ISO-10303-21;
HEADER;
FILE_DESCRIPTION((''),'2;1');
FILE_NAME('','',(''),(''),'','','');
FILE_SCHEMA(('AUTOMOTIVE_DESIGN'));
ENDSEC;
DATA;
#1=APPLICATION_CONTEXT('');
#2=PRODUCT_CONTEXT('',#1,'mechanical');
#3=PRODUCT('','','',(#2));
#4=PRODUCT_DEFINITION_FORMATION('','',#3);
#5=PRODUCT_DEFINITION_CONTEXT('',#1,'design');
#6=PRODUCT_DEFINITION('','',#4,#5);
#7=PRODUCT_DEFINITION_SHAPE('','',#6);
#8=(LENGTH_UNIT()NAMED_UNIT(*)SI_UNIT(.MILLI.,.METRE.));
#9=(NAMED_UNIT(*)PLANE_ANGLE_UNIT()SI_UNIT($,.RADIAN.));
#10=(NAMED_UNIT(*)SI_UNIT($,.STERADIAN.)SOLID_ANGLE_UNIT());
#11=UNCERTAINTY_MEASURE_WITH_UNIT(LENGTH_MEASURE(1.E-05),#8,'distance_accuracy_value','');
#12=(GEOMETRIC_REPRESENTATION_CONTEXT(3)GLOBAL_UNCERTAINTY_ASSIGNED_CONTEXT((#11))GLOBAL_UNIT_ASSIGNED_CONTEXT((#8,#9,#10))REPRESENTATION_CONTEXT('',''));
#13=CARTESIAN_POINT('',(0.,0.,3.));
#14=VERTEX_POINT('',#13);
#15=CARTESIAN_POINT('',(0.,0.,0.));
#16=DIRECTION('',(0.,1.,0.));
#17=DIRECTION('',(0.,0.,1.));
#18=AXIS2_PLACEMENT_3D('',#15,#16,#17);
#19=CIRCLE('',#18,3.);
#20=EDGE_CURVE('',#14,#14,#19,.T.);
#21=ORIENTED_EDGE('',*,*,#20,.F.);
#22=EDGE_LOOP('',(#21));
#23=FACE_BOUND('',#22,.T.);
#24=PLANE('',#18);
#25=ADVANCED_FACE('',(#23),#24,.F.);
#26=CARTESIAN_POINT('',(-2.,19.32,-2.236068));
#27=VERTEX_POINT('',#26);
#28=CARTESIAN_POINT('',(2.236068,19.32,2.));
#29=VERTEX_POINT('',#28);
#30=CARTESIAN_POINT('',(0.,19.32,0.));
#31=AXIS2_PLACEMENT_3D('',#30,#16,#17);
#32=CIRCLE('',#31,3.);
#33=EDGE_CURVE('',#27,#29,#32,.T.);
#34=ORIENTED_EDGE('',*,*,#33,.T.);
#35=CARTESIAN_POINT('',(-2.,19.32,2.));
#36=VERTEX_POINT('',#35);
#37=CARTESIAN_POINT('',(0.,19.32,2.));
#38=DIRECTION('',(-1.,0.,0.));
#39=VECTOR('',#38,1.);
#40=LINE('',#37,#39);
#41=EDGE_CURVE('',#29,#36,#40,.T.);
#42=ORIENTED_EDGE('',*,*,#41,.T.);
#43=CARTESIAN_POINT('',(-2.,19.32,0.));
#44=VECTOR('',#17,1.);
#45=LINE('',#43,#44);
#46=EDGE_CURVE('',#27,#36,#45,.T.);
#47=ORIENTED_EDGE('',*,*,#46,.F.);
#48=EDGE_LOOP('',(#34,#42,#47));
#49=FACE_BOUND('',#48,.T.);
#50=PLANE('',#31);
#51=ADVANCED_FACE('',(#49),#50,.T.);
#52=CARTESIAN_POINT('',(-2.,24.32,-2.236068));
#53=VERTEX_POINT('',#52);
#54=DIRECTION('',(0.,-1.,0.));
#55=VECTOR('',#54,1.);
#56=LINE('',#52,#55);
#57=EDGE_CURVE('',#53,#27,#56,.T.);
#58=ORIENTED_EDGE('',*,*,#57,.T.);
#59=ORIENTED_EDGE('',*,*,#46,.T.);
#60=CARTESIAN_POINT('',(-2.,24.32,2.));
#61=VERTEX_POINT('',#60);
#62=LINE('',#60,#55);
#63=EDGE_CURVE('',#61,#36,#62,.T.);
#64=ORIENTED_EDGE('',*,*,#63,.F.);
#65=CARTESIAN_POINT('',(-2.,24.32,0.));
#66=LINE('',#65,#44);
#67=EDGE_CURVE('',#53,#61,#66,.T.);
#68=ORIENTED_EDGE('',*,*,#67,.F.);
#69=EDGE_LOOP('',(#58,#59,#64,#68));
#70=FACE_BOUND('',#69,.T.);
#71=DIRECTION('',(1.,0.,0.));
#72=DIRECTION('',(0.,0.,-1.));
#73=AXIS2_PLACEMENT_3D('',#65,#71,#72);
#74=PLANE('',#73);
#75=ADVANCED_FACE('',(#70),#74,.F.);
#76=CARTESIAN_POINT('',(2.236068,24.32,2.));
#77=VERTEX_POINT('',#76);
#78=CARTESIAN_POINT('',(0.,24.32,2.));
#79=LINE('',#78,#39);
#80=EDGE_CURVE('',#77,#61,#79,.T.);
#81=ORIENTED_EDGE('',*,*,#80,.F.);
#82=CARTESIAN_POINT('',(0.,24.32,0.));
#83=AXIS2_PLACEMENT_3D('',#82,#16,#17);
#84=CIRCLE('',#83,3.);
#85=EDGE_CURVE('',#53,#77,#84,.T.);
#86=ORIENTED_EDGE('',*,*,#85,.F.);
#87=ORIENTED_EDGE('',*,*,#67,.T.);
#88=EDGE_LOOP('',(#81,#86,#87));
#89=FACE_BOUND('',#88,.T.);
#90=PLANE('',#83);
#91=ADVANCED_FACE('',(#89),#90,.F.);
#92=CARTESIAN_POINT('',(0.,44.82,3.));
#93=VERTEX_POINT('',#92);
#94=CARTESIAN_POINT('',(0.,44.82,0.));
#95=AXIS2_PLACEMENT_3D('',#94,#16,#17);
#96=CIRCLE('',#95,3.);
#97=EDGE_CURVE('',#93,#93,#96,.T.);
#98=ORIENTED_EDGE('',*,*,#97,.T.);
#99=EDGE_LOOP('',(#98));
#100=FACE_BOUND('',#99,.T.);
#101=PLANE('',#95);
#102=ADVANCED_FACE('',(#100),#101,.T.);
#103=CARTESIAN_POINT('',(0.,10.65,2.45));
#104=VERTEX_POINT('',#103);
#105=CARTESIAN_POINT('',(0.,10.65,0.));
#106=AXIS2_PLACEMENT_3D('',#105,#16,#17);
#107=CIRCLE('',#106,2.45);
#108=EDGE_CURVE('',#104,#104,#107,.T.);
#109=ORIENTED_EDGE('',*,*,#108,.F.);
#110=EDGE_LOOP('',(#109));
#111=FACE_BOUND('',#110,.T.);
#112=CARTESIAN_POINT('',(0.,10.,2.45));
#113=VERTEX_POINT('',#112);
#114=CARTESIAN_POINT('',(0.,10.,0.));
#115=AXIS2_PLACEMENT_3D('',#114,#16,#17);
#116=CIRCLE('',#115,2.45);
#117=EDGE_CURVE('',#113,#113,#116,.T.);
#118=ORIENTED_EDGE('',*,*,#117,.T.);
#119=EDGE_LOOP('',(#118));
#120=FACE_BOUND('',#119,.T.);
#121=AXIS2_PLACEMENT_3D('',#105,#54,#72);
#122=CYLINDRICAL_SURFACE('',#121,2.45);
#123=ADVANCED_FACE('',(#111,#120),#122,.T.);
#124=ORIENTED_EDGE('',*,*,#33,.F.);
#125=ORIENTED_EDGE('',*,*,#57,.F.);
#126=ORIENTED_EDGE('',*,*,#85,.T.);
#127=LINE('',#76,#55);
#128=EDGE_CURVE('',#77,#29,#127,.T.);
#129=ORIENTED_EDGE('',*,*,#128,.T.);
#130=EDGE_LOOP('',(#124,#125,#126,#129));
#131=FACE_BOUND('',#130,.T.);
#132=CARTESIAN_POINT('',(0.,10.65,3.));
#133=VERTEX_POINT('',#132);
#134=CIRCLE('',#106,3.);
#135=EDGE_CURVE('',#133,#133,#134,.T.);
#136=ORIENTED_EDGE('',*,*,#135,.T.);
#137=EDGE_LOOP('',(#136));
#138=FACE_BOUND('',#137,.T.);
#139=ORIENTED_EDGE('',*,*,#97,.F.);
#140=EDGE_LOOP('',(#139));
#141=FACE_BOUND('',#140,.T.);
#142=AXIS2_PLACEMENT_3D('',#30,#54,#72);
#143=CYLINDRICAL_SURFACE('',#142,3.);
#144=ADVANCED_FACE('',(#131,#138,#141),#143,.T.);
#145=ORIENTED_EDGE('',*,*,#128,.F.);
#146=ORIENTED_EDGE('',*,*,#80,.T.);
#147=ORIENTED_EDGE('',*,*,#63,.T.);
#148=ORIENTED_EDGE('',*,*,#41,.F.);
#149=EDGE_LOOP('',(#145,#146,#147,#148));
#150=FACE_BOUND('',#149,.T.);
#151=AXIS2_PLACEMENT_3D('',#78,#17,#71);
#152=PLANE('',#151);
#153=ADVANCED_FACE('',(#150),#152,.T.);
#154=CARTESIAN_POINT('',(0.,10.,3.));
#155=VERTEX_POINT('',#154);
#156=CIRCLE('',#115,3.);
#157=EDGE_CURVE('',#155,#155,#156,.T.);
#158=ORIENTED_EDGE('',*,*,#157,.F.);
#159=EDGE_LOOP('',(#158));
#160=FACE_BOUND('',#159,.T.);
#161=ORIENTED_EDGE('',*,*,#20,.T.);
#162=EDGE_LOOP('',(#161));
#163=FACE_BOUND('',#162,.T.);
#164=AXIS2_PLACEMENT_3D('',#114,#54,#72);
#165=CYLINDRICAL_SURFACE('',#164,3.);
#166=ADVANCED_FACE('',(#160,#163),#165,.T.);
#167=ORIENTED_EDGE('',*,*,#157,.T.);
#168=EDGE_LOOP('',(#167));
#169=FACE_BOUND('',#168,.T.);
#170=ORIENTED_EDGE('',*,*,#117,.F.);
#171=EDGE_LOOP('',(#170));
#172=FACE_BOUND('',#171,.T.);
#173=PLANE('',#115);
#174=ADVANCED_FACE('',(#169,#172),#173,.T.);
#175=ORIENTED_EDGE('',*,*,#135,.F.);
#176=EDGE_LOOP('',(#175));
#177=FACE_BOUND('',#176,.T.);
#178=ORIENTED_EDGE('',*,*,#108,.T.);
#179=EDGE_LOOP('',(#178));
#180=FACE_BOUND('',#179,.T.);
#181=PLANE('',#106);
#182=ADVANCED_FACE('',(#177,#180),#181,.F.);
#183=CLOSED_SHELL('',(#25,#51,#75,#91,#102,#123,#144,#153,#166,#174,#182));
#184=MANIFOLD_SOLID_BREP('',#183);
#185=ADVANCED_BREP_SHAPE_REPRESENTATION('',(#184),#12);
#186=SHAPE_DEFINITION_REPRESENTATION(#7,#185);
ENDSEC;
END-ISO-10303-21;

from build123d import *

# Parameters (mm, degrees)
SKETCH1_R           = 3
BOSS_EXTRUDE1_DEPTH = 10
SKETCH2_R           = 2.45
BOSS_EXTRUDE2_DEPTH = 0.65
SKETCH3_R           = 3
BOSS_EXTRUDE3_DEPTH = 8.67
BOSS_EXTRUDE4_DEPTH = 5
SKETCH5_R           = 3
BOSS_EXTRUDE5_DEPTH = 20.5


with BuildPart() as part:
    # Sketch1 → Boss-Extrude1 (new body)
    with BuildSketch(Plane(origin=(0, 0, 0), x_dir=(1, 0, 0), z_dir=(0, 1, 0))):
        with Locations(Location((0, 0, 0), (0, 0, 270))):
            Circle(SKETCH1_R)
    extrude(amount=BOSS_EXTRUDE1_DEPTH)

    # Sketch2 → Boss-Extrude2 (add)
    with BuildSketch(Plane(origin=(0, 10, 0), x_dir=(1, 0, 0), z_dir=(0, 1, 0))):
        with Locations(Location((0, 0, 0), (0, 0, 270))):
            Circle(SKETCH2_R)
    extrude(amount=BOSS_EXTRUDE2_DEPTH)

    # Sketch3 → Boss-Extrude3 (add)
    with BuildSketch(Plane(origin=(0, 10.65, 0), x_dir=(1, 0, 0), z_dir=(0, 1, 0))):
        with Locations(Location((0, 0, 0), (0, 0, 270))):
            Circle(SKETCH3_R)
    extrude(amount=BOSS_EXTRUDE3_DEPTH)

    # Sketch4 → Boss-Extrude4 (add)
    with BuildSketch(Plane(origin=(0, 19.32, 0), x_dir=(1, 0, 0), z_dir=(0, 1, 0))):
        with BuildLine():
            Line((-2, -2), (2.236067977, -2))
            ThreePointArc((2.236067977, -2), (2.802517077, -1.070466269), (3, 0))
            ThreePointArc((3, 0), (2.121320344, 2.121320344), (0, 3))
            ThreePointArc((0, 3), (-1.070466269, 2.802517077), (-2, 2.236067977))
            Line((-2, 2.236067977), (-2, -2))
        make_face()
    extrude(amount=BOSS_EXTRUDE4_DEPTH)

    # Sketch5 → Boss-Extrude5 (add)
    with BuildSketch(Plane(origin=(0, 24.32, 0), x_dir=(1, 0, 0), z_dir=(0, 1, 0))):
        with Locations(Location((0, 0, 0), (0, 0, 270))):
            Circle(SKETCH5_R)
    extrude(amount=BOSS_EXTRUDE5_DEPTH)


solid = part.part
